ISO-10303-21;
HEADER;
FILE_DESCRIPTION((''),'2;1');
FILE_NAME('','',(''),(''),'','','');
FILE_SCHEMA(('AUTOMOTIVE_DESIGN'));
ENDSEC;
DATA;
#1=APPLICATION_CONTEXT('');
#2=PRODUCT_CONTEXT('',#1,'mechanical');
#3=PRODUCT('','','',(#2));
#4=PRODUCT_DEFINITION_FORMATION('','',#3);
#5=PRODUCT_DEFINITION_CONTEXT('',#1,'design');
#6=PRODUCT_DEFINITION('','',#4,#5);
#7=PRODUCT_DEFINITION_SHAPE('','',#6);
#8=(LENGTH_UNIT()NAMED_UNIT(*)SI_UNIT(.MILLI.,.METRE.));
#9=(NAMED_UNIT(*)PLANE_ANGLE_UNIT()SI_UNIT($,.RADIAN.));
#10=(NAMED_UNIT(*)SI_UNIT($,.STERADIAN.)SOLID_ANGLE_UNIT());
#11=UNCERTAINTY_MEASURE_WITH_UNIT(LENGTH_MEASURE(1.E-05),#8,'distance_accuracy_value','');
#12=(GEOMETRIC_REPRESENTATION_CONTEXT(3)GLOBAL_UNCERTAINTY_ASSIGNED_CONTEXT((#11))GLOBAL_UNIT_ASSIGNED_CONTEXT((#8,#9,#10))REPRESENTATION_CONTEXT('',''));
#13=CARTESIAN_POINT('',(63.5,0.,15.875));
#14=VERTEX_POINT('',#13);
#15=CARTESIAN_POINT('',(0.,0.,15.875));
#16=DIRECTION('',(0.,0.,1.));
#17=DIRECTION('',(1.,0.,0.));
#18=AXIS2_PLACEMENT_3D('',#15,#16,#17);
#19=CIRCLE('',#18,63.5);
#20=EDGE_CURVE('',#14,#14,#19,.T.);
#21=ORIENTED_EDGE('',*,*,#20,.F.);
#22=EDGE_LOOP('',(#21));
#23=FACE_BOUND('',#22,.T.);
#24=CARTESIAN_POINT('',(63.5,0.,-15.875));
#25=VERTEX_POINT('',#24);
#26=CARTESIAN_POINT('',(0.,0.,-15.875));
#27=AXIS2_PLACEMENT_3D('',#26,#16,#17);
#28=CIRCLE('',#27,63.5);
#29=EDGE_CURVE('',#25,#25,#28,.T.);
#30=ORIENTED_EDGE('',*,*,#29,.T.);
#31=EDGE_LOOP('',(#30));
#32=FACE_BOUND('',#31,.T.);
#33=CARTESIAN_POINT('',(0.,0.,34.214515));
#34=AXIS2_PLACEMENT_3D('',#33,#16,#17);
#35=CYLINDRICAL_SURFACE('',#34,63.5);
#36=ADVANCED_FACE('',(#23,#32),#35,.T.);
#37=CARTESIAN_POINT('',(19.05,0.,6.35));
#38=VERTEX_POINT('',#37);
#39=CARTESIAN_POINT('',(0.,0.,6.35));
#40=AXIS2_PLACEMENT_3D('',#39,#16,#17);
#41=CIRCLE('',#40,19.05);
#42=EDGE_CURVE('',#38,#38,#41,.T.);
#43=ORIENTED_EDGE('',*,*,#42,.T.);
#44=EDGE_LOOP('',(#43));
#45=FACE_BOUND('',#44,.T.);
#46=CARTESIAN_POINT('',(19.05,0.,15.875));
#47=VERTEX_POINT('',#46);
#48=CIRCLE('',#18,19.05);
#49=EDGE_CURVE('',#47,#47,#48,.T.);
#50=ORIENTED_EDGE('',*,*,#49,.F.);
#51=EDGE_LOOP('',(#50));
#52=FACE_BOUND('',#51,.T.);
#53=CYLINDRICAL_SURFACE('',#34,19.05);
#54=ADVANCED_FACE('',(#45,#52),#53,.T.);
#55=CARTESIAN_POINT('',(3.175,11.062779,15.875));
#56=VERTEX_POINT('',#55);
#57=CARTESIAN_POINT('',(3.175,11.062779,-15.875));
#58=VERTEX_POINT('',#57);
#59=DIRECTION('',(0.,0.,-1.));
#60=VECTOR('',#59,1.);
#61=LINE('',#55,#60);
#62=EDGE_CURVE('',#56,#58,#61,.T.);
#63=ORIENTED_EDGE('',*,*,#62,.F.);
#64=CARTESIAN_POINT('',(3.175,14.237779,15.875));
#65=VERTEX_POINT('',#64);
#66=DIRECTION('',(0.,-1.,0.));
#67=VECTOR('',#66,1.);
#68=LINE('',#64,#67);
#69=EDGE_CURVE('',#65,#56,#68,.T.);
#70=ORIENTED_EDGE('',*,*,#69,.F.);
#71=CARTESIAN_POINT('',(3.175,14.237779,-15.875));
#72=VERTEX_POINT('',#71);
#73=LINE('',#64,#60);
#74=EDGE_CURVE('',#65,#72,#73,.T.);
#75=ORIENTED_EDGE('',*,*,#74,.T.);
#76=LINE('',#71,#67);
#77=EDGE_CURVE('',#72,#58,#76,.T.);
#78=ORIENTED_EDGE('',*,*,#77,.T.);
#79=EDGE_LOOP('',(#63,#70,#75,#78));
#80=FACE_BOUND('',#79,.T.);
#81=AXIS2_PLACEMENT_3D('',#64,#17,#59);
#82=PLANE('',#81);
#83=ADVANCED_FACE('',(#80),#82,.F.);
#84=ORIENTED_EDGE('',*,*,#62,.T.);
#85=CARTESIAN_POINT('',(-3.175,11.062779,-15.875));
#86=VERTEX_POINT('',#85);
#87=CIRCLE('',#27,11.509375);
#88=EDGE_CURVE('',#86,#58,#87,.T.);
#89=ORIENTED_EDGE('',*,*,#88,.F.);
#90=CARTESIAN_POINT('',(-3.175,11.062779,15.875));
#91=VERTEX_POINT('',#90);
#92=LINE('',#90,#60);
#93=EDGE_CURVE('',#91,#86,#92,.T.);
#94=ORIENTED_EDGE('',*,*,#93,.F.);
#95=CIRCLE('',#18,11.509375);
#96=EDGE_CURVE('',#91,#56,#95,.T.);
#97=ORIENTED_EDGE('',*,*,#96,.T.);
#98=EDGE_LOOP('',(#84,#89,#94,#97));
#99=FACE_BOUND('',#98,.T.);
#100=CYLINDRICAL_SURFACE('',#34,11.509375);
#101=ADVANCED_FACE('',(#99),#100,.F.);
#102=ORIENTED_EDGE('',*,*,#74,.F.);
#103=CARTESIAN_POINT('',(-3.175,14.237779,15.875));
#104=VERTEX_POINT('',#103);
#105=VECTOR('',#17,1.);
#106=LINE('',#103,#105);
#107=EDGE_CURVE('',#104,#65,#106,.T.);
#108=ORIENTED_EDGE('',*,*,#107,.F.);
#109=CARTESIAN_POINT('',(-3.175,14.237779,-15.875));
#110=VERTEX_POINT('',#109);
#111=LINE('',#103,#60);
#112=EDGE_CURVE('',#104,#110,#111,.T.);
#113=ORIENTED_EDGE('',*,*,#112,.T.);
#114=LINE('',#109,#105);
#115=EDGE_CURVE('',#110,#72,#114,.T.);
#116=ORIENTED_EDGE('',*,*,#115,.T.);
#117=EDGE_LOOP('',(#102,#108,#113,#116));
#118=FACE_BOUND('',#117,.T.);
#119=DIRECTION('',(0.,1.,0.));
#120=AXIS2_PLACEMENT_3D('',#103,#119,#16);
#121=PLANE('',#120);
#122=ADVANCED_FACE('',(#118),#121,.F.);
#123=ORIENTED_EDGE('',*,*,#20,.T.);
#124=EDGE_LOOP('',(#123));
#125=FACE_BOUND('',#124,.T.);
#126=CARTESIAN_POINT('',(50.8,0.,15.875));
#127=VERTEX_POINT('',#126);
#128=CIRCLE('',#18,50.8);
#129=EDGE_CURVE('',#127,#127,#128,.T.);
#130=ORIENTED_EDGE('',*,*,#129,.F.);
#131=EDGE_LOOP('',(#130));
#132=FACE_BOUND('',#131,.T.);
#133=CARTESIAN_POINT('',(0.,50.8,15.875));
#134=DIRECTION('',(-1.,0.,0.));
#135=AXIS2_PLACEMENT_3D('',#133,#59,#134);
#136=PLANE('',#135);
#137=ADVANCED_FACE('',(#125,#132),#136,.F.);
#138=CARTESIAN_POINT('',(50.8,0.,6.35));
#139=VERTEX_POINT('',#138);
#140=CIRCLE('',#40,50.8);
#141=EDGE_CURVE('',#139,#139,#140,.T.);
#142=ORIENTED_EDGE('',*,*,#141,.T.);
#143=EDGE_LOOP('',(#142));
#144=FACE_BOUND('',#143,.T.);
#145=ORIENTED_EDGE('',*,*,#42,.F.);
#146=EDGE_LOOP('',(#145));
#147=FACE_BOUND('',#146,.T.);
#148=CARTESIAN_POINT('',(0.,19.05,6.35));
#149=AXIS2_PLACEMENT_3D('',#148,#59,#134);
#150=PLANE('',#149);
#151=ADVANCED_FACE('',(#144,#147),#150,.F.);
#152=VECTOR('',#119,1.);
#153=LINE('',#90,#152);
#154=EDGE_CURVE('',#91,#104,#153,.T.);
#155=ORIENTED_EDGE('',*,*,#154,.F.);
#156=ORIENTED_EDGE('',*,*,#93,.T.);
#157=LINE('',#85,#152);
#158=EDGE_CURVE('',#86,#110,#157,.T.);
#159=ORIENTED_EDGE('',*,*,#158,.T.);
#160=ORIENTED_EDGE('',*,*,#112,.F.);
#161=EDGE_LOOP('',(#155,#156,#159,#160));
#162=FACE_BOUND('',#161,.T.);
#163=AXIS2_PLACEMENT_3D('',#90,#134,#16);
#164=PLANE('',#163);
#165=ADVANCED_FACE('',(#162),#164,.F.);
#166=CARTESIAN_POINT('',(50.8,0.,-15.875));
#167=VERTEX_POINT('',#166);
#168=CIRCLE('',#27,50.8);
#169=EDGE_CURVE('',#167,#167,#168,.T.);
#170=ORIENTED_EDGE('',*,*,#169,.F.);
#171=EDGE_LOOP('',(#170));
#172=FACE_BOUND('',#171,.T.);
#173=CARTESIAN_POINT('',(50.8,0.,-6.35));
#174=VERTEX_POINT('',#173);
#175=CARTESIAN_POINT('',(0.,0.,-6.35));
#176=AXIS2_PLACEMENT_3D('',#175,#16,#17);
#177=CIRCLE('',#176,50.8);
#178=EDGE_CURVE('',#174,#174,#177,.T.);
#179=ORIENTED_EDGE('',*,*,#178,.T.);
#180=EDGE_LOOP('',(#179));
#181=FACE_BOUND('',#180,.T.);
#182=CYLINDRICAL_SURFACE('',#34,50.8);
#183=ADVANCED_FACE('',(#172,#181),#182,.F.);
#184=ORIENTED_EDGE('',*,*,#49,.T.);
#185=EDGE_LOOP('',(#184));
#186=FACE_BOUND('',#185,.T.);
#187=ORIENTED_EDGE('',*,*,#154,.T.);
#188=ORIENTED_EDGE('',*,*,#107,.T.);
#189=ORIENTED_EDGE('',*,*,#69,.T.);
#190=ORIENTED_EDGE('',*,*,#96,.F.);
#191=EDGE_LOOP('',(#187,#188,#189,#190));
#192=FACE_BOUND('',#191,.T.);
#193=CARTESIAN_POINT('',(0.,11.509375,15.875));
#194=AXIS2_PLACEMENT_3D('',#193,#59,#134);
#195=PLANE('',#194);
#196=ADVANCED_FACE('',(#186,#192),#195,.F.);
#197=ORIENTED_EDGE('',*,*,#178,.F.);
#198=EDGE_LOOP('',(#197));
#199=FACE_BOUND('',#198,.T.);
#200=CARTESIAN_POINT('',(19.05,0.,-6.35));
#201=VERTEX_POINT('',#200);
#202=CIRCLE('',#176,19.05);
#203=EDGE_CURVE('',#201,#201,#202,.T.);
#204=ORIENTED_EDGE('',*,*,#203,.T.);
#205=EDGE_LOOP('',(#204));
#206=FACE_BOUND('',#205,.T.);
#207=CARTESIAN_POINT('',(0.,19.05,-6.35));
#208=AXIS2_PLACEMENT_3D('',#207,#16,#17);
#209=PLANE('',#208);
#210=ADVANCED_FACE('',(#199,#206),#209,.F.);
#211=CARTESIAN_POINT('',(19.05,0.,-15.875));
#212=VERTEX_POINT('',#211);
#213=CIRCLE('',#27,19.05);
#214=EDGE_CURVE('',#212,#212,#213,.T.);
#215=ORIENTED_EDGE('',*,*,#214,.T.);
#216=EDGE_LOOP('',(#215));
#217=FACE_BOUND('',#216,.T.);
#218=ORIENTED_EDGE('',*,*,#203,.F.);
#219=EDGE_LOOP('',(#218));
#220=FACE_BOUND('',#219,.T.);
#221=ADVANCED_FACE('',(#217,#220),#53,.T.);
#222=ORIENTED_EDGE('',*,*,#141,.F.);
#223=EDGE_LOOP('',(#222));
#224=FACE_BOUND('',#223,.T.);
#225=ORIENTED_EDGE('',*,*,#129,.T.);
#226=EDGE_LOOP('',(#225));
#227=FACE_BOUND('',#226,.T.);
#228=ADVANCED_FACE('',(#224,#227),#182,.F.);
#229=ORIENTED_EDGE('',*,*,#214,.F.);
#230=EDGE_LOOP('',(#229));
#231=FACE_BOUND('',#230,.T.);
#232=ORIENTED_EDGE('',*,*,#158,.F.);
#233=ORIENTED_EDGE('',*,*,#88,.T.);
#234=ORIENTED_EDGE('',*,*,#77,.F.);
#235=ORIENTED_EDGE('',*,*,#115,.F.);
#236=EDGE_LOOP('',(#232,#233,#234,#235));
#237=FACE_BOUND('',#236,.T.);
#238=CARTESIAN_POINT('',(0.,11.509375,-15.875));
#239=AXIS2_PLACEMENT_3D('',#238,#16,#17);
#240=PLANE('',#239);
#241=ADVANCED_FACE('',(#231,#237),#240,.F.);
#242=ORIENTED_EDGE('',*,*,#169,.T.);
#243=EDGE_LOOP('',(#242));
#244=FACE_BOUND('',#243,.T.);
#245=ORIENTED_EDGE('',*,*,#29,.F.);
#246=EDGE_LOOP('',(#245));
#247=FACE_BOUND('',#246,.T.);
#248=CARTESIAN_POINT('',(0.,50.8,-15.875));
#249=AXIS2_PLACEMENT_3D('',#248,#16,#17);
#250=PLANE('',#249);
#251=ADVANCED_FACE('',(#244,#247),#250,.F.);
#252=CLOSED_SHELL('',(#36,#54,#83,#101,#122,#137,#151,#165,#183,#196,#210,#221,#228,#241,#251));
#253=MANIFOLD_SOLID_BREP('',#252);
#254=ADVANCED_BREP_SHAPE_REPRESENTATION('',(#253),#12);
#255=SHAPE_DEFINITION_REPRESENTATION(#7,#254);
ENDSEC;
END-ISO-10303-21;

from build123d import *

# Parameters (mm, degrees)
SKETCH4_W          = 6.35
SKETCH4_H          = 3.175
CUT_EXTRUDE1_DEPTH = 32.75


with BuildPart() as part:
    # Sketch1 → Revolve1 (revolve)
    with BuildSketch(Plane(origin=(0, 0, 0), x_dir=(0, 0, -1), z_dir=(1, 0, 0))):
        Polygon((15.875, 11.509375), (-15.875, 11.509375), (-15.875, 19.05), (-6.35, 19.05), (-6.35, 50.8), (-15.875, 50.8), (-15.875, 63.5), (15.875, 63.5), (15.875, 50.8), (6.35, 50.8), (6.35, 19.05), (15.875, 19.05), align=None)
    revolve(axis=Axis((0, 0, 34.214514903), (0, 0, -1)))

    # Sketch4 → Cut-Extrude1 (cut, through all)
    with BuildSketch(Plane(origin=(0, 0, -15.875), x_dir=(-1, 0, 0), z_dir=(0, 0, -1))):
        with Locations((0, 12.650279393)):
            Rectangle(SKETCH4_W, SKETCH4_H)
    extrude(amount=-CUT_EXTRUDE1_DEPTH, mode=Mode.SUBTRACT)


solid = part.part
